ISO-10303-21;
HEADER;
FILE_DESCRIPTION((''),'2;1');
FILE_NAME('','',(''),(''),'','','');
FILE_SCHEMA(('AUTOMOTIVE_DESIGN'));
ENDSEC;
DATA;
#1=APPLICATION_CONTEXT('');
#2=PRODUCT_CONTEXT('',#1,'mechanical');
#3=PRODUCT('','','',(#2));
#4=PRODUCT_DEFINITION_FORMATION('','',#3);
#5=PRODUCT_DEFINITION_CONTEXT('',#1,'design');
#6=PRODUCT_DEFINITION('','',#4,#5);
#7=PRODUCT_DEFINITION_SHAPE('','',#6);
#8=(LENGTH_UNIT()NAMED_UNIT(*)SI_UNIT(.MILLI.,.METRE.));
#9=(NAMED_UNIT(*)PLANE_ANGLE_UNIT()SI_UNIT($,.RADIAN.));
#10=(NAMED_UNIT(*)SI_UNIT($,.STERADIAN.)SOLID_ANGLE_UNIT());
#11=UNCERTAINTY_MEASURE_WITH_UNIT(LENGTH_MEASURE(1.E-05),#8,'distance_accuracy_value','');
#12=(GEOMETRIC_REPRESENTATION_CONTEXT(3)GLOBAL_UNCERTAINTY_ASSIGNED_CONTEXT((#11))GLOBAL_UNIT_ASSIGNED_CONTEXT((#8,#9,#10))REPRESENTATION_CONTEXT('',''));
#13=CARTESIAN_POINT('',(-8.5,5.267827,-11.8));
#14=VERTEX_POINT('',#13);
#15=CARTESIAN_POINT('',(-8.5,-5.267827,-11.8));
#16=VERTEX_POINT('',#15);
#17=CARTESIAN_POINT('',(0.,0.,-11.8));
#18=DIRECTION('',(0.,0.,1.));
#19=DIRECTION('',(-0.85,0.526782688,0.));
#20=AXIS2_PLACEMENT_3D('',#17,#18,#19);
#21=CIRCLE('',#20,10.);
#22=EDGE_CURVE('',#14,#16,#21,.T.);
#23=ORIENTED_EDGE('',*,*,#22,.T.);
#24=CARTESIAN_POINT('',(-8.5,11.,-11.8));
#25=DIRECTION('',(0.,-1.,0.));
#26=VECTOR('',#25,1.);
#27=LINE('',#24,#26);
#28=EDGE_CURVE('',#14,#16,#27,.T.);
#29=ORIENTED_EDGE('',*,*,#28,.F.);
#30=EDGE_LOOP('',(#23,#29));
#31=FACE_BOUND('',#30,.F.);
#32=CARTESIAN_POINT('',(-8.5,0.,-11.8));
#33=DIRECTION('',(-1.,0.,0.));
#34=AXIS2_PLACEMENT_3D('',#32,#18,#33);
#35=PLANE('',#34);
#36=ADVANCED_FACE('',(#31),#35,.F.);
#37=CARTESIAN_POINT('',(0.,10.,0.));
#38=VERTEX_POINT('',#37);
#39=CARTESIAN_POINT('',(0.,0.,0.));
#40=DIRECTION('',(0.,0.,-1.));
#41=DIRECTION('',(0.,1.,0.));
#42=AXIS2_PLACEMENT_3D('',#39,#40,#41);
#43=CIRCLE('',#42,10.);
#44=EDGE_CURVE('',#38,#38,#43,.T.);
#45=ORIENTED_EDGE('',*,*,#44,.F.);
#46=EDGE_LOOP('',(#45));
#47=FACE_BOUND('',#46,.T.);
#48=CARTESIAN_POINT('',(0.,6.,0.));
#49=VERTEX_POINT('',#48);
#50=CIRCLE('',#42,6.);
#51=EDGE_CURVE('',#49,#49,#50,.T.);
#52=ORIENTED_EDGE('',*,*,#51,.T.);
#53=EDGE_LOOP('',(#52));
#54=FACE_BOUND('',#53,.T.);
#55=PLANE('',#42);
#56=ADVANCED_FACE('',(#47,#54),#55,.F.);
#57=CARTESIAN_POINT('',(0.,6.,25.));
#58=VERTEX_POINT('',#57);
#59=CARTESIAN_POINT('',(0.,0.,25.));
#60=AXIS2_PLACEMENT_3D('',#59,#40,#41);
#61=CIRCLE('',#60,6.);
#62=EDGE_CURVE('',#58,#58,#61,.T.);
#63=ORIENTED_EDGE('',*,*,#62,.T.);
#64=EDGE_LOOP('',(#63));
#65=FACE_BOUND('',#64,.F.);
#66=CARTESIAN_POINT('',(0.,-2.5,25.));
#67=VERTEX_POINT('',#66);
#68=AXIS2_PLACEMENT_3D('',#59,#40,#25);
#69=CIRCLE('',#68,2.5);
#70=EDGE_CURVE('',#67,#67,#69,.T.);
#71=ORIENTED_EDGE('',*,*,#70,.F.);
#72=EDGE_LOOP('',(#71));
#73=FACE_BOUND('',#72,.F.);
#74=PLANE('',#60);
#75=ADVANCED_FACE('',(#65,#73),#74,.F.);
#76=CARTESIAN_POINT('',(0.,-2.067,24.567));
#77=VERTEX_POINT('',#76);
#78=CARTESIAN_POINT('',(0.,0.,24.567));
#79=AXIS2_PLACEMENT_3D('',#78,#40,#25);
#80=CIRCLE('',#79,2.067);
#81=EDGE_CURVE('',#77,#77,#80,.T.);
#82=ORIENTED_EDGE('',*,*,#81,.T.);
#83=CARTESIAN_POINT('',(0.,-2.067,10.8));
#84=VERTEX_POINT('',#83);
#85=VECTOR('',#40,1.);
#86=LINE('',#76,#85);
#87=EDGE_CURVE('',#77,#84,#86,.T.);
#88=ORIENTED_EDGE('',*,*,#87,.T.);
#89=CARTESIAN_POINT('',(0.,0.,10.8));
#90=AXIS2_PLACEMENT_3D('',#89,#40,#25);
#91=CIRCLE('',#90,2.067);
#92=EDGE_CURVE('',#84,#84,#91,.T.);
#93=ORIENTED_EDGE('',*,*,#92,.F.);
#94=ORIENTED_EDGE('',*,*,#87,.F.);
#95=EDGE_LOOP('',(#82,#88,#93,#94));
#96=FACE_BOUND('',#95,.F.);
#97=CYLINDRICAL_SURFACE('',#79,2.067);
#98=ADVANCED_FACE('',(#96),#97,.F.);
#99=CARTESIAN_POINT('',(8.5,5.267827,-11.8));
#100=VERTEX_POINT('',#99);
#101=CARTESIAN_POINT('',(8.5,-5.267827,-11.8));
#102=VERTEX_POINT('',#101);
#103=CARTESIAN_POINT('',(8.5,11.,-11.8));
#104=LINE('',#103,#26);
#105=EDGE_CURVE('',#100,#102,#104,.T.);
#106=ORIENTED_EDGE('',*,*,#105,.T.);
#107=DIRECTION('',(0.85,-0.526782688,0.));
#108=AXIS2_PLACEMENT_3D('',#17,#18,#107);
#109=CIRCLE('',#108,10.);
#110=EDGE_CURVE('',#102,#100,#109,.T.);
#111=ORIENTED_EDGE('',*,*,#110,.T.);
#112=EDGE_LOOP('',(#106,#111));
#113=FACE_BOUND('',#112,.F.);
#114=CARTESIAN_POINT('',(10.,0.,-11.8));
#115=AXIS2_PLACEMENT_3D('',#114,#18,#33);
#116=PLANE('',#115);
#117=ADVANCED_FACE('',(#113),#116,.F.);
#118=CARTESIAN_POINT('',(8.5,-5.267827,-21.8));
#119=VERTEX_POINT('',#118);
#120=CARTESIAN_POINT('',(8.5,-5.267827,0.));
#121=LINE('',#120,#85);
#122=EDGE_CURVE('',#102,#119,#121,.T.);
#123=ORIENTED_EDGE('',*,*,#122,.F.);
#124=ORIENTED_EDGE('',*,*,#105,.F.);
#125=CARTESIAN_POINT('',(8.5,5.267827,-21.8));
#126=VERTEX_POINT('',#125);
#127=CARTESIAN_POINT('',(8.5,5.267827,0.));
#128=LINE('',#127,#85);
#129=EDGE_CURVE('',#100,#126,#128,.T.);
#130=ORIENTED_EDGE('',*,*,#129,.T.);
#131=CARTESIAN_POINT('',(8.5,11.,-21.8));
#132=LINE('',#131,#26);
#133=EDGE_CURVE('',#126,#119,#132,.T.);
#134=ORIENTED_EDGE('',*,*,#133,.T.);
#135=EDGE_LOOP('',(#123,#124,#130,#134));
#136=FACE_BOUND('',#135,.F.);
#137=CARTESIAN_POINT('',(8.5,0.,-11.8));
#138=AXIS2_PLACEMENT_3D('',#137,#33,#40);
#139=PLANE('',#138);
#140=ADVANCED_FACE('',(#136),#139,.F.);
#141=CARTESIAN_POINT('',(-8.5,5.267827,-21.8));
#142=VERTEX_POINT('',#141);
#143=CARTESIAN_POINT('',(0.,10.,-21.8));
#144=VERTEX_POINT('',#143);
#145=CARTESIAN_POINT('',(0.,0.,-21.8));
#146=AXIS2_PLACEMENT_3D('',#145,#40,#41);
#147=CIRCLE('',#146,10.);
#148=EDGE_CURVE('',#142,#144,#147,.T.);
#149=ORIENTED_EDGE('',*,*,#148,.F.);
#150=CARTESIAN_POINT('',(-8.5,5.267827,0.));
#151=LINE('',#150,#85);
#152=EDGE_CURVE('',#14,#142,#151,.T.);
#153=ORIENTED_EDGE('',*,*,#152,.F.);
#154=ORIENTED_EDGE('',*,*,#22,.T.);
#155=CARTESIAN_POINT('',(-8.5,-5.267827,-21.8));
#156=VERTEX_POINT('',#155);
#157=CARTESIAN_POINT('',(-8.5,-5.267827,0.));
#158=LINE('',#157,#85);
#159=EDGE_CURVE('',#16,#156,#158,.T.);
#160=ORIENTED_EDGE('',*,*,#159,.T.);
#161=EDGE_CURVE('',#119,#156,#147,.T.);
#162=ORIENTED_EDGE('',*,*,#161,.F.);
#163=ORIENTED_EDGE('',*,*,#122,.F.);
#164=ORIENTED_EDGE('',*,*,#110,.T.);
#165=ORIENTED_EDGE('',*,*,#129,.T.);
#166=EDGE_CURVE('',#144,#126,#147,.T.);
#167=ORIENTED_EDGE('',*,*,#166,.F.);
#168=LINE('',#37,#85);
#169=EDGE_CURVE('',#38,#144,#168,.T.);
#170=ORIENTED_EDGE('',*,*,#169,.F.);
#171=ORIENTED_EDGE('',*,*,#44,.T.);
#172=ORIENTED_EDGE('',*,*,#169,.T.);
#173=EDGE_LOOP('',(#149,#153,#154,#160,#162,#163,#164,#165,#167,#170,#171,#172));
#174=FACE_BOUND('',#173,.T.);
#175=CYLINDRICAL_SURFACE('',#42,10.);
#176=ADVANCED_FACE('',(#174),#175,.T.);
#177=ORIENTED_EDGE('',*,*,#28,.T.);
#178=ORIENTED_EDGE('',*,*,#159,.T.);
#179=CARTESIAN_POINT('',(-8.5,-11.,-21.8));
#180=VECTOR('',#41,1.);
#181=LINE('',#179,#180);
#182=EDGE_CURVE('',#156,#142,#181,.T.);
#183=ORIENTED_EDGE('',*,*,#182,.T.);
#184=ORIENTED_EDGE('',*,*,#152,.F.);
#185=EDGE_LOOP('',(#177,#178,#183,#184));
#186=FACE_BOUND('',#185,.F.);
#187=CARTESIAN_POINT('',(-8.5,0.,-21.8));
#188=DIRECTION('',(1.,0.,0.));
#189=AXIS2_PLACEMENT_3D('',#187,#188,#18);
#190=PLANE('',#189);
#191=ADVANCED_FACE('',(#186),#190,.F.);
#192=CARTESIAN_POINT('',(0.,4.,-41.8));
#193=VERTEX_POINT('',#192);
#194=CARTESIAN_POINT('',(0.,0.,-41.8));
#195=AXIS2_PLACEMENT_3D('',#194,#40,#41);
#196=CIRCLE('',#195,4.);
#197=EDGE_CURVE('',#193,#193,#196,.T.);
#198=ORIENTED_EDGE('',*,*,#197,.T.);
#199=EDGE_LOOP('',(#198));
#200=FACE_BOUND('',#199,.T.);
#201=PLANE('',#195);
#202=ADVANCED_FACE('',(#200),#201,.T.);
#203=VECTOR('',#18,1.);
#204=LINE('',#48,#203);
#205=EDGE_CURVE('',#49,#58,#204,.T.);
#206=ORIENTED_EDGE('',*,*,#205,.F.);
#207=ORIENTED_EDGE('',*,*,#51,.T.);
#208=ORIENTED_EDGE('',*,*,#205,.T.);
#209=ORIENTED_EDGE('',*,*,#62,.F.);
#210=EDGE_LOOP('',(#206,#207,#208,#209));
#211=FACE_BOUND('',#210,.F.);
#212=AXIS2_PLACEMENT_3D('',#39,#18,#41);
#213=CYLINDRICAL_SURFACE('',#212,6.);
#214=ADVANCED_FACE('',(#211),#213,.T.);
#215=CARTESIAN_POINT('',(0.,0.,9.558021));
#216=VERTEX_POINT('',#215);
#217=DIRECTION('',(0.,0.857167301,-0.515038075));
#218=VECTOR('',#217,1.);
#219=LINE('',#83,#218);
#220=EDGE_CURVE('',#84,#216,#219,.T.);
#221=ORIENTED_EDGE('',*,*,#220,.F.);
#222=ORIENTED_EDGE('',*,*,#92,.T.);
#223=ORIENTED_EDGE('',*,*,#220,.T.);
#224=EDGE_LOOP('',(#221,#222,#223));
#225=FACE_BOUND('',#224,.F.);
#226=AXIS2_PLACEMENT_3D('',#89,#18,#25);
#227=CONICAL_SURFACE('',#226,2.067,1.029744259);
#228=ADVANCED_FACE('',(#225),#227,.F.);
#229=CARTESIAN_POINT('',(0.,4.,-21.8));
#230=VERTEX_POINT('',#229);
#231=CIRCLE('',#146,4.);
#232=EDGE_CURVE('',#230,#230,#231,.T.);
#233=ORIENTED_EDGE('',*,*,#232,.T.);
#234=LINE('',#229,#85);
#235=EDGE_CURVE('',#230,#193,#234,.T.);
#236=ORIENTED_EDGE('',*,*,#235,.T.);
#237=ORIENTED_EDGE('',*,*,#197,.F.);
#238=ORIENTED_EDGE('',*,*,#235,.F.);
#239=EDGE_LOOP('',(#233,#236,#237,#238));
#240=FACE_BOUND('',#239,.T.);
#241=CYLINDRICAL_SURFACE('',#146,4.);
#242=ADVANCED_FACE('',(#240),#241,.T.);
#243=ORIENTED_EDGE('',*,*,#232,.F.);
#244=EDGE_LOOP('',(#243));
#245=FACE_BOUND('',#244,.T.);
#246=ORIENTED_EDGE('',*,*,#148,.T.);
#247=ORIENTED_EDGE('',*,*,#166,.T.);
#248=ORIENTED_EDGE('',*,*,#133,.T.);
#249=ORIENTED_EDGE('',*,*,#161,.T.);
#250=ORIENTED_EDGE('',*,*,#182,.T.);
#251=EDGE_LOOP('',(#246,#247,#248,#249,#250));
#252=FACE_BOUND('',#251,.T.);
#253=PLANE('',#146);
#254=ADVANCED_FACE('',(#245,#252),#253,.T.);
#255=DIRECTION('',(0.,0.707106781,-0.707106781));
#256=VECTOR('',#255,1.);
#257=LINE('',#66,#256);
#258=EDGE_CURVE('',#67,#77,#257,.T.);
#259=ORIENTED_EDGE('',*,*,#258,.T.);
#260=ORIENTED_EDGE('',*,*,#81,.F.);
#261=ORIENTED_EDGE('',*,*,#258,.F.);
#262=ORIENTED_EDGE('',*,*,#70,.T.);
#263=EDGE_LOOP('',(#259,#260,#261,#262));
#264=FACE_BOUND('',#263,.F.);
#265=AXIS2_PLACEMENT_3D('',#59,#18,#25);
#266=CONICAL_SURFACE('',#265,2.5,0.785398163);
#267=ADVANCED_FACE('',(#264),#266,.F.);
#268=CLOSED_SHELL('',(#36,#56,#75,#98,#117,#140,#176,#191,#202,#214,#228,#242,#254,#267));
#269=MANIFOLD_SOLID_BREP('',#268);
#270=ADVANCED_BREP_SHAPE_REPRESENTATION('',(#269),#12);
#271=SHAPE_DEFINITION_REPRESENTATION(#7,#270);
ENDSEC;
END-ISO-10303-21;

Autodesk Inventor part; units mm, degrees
ref_plane "YZ Plane" through (0, 0, 0) normal (1, 0, 0) x (0, 1, 0)
ref_plane "XZ Plane" through (0, 0, 0) normal (0, 1, 0) x (-1, 0, 0)
ref_plane "XY Plane" through (0, 0, 0) normal (0, 0, 1) x (1, 0, 0)
sketch "Skizze1" plane through (0, 0, 0) normal (1, 0, 0) x (0, 1, 0)
  line L0 (0, 38.36) -> (0, -55.16) projected
  line L1 (-2, 0) -> (12, 0) construction
  line L2 (6, 0) -> (6, 25)
  line L3 (6, 25) -> (0, 25)
  line L4 (6, 0) -> (10, 0)
  line L5 (10, 0) -> (10, -21.8)
  line L6 (10, -21.8) -> (4, -21.8)
  line L7 (4, -21.8) -> (4, -41.8)
  line L8 (4, -41.8) -> (0, -41.8)
  line L9 (0, -41.8) -> (0, 25)
  point P0 (0, 0)
  dimension "d0" = 12
  dimension "d1" = 25
  dimension "d3" = 8
  dimension "d4" = 21.8
  dimension "d6" = 20
  dimension "d23" = 20
revolve "Grundkörper" add sketch "Skizze1" angle 360 about axis through (0, 0, 0) along (0, 0, -1)
thread "M8" size "M8x1.25" class "6g" standard "ANSI Metric M Profile" full length
sketch "Skizze2" plane through (0, 0, 25) normal (0, 0, 1) x (1, 0, 0)
  circle A0 centre (0, 0) radius 6 projected
hole "M5x10" at (0, 0, 25) direction (0, 0, -1) diameter 4.134 depth 14.2 tip angle 118 countersink diameter 5 countersink angle 90 thread size "M5x0.8" class "6H" standard "ISO Metric profile"
sketch "Skizze3" plane through (0, 0, 0) normal (0, 1, 0) x (-1, 0, 0)
  line L0 (0, -24.96) -> (0, 4.16) construction
  line L1 (-10, -21.8) -> (10, -21.8) construction
  line L2 (10, 0) -> (10, -21.8) construction
  line L3 (-10, 0) -> (-10, -21.8) construction
  line L4 (8.5, -21.8) -> (8.5, -11.8)
  line L5 (8.5, -11.8) -> (10, -11.8)
  line L6 (10, -11.8) -> (10, -21.8)
  line L7 (10, -21.8) -> (8.5, -21.8)
  line L8 (-10, -11.8) -> (-8.5, -11.8)
  line L9 (-8.5, -11.8) -> (-8.5, -21.8)
  line L10 (-8.5, -21.8) -> (-10, -21.8)
  line L11 (-10, -21.8) -> (-10, -11.8)
  point P0 (0, 0)
  dimension "d24" = 10
  dimension "d25" = 17
extrude "Extrusion1" cut sketch "Skizze3" along normal through all both and the other way through all
properties part number "200-60-DIFFERENTIAL-CONNECTOR-02" material "Edelstahl"
